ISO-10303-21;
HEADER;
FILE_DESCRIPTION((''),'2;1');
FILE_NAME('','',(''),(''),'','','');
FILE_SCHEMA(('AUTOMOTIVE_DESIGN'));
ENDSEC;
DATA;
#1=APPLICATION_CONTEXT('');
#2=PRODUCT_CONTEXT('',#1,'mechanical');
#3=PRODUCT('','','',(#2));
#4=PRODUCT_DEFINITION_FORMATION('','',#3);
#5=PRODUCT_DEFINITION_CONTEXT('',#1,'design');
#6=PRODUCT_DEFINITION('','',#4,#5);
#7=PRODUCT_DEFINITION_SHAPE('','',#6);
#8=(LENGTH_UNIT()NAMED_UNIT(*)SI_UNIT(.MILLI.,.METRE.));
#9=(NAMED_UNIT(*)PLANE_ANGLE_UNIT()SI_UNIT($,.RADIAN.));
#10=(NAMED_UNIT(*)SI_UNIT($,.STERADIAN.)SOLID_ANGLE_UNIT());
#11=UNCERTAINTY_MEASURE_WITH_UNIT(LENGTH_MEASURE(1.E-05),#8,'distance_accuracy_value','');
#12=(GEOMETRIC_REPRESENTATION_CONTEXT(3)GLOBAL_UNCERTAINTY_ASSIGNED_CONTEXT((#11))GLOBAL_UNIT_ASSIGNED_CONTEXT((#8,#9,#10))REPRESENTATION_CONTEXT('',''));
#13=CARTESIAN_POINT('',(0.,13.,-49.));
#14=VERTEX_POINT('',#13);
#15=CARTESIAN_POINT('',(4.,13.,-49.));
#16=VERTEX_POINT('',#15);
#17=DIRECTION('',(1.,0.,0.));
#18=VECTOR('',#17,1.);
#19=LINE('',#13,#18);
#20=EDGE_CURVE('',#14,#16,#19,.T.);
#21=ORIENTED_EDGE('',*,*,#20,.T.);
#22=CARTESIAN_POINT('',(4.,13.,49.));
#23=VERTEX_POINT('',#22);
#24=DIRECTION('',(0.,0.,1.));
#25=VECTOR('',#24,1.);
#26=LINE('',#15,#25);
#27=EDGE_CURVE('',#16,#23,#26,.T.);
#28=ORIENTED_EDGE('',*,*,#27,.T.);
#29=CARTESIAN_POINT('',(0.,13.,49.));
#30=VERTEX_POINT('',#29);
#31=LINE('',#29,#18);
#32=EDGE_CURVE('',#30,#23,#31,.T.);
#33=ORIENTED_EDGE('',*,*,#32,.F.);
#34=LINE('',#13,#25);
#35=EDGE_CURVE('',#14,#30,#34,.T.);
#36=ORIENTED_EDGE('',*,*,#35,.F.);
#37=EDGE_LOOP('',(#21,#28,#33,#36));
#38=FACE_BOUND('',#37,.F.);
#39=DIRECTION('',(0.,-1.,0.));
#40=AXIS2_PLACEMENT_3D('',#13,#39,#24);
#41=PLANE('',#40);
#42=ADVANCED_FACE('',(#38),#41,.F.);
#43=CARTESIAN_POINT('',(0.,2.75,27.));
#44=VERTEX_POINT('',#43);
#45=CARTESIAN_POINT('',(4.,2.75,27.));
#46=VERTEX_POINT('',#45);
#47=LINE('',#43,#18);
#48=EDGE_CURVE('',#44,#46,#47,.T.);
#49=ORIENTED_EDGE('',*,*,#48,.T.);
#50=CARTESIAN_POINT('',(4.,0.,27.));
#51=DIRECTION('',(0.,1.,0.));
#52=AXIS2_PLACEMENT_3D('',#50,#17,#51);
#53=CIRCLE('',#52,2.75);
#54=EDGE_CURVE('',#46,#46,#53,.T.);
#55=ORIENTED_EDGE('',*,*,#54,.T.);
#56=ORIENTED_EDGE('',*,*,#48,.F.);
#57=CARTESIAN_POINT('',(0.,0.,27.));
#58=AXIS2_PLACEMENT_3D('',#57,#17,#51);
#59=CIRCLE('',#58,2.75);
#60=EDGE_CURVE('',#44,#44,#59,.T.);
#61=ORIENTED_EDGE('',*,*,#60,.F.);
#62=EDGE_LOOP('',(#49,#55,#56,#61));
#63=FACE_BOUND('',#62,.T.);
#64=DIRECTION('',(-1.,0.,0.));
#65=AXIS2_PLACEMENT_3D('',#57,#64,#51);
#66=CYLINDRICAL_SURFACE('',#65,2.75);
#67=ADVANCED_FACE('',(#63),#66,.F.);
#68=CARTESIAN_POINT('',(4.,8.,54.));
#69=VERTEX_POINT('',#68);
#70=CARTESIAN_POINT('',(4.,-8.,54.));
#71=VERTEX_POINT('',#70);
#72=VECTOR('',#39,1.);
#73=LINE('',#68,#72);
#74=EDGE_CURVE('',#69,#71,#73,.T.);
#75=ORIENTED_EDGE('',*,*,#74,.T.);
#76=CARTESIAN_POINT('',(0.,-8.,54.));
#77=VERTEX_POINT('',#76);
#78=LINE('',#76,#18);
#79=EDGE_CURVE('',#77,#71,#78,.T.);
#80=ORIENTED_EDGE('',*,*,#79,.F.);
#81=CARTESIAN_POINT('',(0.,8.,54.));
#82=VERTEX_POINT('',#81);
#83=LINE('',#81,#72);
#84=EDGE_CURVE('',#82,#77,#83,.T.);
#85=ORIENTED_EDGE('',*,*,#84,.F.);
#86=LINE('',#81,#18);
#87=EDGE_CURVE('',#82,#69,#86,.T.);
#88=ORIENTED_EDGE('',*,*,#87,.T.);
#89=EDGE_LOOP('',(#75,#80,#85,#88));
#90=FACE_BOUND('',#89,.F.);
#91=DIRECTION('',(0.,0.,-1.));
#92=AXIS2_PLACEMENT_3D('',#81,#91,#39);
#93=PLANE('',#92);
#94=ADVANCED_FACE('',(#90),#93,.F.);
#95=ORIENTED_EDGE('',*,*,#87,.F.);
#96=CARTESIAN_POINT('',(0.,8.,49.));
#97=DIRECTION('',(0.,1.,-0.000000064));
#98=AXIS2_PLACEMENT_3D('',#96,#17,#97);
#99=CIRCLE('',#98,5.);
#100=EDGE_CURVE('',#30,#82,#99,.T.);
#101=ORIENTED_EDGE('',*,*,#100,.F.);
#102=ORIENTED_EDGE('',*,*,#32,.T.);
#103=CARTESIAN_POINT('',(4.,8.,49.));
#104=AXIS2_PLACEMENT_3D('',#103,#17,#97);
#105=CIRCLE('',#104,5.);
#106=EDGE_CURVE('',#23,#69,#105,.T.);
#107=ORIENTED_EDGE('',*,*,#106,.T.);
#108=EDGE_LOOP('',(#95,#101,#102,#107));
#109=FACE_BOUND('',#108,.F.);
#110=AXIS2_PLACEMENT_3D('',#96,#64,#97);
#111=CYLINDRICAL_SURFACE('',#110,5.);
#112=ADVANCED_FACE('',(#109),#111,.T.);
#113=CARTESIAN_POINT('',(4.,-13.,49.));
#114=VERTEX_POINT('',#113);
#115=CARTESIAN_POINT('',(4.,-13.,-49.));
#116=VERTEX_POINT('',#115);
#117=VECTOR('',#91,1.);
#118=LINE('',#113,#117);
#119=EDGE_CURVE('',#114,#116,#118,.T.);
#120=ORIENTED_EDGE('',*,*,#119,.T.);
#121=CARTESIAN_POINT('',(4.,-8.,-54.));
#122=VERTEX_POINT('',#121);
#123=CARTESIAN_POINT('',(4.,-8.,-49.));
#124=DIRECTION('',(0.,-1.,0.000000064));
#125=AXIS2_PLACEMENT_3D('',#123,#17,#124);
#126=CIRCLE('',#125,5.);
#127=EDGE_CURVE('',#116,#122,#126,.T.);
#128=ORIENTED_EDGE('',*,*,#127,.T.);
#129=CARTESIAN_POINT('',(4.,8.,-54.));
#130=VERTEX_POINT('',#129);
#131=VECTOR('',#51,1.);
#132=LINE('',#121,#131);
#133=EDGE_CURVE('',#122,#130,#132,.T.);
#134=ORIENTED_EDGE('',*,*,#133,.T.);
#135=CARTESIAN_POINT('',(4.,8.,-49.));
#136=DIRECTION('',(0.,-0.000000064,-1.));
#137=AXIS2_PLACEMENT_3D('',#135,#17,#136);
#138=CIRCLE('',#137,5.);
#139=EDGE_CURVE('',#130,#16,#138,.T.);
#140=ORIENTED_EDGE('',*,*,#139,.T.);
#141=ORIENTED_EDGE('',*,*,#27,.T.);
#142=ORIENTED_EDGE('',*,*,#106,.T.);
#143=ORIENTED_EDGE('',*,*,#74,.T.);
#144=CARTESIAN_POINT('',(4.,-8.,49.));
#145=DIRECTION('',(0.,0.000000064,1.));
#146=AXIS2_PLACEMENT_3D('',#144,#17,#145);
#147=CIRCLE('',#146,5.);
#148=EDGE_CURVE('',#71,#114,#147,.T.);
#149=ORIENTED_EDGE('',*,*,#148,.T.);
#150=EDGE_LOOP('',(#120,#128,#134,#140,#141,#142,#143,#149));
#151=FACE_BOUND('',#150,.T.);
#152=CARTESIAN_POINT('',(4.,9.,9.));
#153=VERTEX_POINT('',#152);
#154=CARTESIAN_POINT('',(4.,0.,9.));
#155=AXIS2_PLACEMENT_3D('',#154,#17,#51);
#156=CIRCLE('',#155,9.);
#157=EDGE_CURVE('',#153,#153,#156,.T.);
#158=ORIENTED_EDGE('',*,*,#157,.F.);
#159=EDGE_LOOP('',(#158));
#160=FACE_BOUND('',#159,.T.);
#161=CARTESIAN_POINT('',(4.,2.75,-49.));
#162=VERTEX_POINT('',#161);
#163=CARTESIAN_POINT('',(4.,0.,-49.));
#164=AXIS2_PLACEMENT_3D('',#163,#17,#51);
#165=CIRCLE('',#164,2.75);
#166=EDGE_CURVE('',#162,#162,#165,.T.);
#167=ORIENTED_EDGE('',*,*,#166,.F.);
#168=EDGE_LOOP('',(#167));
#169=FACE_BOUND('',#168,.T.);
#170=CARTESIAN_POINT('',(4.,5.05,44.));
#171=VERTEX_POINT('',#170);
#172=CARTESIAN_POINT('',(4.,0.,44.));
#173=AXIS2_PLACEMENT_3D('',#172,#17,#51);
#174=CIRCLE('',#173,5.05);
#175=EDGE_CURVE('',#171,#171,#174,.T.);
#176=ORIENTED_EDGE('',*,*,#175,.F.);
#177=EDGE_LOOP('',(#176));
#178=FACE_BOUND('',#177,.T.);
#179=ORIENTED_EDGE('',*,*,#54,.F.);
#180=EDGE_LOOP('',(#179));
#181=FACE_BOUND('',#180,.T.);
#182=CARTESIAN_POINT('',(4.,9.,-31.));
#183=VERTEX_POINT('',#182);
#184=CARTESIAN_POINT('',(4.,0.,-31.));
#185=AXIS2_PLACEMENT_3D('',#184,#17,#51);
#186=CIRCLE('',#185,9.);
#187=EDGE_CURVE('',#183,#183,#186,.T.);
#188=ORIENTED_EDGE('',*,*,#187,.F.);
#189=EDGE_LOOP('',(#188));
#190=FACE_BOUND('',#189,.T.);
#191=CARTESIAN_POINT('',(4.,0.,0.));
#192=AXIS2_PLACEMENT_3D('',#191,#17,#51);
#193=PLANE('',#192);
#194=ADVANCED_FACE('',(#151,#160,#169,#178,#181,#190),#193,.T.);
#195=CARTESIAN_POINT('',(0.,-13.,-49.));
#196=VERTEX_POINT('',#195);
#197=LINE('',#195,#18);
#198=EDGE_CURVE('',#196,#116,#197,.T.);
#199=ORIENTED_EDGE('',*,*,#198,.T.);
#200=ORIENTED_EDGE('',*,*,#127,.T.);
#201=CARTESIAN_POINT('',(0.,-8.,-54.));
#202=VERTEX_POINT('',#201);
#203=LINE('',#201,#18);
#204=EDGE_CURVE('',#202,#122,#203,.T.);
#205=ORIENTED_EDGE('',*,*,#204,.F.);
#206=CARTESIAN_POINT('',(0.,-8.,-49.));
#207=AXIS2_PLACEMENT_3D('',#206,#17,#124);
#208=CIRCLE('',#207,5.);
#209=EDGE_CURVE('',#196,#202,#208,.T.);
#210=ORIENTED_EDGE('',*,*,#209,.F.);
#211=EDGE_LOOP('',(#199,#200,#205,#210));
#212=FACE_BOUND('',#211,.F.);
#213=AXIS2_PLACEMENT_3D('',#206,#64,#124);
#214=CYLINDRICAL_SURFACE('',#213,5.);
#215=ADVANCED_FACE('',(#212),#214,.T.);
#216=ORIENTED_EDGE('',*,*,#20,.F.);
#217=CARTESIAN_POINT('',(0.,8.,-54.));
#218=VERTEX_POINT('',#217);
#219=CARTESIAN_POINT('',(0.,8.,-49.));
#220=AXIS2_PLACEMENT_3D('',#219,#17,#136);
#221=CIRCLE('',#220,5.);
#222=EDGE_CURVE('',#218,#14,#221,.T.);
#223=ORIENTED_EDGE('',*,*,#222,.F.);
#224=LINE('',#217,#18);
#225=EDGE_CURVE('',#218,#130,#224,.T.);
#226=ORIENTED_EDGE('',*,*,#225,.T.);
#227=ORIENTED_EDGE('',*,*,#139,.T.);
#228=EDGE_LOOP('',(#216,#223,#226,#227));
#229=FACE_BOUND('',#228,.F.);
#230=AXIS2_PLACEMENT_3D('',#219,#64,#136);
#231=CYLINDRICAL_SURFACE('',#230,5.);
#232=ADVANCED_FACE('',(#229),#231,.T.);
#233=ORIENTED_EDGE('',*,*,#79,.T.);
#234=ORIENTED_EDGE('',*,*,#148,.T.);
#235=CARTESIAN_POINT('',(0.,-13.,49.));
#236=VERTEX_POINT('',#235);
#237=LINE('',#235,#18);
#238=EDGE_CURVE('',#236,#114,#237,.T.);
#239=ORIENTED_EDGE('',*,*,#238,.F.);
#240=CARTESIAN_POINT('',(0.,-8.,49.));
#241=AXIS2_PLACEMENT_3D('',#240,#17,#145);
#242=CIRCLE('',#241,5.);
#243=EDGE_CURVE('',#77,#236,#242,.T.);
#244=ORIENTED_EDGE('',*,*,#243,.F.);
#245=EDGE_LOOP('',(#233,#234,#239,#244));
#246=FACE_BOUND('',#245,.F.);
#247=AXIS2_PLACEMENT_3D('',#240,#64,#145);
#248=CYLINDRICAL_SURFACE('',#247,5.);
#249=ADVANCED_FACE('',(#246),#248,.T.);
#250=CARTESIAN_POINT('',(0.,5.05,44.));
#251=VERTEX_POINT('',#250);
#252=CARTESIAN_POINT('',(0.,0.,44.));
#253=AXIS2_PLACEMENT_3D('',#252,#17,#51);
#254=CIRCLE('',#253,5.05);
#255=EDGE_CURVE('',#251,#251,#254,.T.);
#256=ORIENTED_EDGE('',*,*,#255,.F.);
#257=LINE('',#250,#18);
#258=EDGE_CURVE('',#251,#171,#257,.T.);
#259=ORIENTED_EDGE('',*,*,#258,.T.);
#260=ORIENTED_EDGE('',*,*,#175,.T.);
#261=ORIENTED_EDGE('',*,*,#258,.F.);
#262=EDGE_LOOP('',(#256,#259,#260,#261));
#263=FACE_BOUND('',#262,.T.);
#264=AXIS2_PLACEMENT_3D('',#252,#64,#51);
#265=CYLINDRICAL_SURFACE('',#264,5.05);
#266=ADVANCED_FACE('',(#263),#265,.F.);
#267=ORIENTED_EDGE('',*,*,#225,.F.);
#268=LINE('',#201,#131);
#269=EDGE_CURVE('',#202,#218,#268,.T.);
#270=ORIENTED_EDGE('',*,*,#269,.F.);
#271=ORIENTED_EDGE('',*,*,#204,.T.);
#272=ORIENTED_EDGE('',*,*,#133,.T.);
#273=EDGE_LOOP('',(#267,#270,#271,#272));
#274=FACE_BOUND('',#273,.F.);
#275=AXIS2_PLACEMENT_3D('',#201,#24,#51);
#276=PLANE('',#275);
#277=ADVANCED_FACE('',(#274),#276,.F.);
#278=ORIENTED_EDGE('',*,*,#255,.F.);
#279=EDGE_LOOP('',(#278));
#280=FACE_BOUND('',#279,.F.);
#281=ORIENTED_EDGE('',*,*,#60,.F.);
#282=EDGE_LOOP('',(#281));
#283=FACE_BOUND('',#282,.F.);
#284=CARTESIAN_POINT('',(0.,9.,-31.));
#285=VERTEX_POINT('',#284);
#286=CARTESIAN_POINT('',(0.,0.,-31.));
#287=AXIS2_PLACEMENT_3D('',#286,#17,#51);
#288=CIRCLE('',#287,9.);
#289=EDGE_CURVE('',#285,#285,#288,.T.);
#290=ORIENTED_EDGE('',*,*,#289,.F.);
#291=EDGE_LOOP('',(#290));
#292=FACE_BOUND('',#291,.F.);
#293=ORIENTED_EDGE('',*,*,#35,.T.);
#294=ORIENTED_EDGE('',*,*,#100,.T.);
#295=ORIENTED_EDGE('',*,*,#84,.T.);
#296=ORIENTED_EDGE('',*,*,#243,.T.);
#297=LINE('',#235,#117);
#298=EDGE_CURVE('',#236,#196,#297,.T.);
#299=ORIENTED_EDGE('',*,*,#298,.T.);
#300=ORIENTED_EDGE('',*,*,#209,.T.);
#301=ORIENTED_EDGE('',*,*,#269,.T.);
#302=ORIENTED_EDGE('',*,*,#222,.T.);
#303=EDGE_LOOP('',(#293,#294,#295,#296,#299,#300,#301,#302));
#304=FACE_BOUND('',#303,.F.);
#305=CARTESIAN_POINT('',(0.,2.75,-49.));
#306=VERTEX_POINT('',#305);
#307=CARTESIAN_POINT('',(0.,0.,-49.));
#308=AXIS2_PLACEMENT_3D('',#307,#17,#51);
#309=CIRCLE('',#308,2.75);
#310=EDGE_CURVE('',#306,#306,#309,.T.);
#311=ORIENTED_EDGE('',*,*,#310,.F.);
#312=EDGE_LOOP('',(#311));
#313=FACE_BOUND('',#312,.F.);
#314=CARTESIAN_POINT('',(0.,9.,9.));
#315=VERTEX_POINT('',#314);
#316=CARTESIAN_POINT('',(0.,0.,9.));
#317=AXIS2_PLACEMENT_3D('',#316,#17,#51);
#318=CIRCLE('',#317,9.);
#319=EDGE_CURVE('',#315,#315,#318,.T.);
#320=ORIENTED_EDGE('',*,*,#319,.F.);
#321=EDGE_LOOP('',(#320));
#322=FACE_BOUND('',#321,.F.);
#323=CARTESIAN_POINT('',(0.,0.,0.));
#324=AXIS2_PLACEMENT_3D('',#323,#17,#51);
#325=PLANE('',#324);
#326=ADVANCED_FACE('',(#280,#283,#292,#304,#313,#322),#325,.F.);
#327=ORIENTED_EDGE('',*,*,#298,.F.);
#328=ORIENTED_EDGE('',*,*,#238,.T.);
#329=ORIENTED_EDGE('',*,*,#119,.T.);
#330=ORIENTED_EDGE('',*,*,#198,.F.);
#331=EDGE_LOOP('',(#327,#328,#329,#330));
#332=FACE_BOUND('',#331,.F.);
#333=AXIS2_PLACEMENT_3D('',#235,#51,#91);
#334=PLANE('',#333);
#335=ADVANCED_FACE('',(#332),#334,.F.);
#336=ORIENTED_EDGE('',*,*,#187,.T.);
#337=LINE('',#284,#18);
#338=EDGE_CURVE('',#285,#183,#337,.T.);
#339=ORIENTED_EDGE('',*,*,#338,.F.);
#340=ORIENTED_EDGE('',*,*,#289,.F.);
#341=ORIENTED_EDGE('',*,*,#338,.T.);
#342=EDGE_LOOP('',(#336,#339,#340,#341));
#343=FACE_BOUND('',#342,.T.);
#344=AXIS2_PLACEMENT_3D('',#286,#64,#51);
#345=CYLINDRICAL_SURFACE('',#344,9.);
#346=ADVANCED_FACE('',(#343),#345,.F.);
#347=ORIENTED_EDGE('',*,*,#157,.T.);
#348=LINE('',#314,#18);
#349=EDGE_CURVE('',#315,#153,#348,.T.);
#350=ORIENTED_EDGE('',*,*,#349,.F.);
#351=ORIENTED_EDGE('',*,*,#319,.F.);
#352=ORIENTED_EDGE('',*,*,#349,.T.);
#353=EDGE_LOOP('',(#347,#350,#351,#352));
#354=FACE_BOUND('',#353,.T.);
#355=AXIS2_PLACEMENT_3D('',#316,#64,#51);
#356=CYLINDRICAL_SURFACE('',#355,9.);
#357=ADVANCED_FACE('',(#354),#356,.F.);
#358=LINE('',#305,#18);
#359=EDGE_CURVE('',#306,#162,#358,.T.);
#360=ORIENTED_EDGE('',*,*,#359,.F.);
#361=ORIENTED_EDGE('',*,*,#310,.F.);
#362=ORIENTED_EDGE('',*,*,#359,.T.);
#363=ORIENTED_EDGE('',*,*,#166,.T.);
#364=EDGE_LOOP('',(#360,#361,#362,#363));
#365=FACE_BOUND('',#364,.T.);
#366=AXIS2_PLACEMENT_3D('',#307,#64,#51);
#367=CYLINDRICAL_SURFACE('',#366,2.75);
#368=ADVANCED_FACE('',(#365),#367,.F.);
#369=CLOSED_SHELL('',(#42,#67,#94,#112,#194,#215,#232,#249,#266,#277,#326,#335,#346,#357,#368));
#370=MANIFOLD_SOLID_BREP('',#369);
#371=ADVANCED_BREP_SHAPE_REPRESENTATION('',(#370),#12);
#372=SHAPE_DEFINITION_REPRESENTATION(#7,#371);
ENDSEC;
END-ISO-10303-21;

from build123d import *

# Parameters (mm, degrees)
F0_R     = 2.75
F0_R_2   = 9
F0_R_3   = 5.05
F1_DEPTH = 4


with BuildPart() as f1:
    # F0 (on Right) → F1 (new body)
    with BuildSketch(Plane.YZ):
        with BuildLine():
            Line((-8, -54), (8, -54))
            ThreePointArc((8, -54), (11.535534, -52.535534), (13, -49))
            Line((13, -49), (13, 49))
            ThreePointArc((13, 49), (11.535534, 52.535534), (8, 54))
            Line((8, 54), (-8, 54))
            ThreePointArc((-8, 54), (-11.535534, 52.535534), (-13, 49))
            Line((-13, 49), (-13, -49))
            ThreePointArc((-13, -49), (-11.535534, -52.535534), (-8, -54))
        make_face()
        with Locations((0, -49)):
            Circle(F0_R, mode=Mode.SUBTRACT)
        with Locations((0, -31)):
            Circle(F0_R_2, mode=Mode.SUBTRACT)
        with Locations((0, 9)):
            Circle(F0_R_2, mode=Mode.SUBTRACT)
        with Locations((0, 27)):
            Circle(F0_R, mode=Mode.SUBTRACT)
        with Locations((0, 44)):
            Circle(F0_R_3, mode=Mode.SUBTRACT)
    extrude(amount=F1_DEPTH)


solid = f1.part
